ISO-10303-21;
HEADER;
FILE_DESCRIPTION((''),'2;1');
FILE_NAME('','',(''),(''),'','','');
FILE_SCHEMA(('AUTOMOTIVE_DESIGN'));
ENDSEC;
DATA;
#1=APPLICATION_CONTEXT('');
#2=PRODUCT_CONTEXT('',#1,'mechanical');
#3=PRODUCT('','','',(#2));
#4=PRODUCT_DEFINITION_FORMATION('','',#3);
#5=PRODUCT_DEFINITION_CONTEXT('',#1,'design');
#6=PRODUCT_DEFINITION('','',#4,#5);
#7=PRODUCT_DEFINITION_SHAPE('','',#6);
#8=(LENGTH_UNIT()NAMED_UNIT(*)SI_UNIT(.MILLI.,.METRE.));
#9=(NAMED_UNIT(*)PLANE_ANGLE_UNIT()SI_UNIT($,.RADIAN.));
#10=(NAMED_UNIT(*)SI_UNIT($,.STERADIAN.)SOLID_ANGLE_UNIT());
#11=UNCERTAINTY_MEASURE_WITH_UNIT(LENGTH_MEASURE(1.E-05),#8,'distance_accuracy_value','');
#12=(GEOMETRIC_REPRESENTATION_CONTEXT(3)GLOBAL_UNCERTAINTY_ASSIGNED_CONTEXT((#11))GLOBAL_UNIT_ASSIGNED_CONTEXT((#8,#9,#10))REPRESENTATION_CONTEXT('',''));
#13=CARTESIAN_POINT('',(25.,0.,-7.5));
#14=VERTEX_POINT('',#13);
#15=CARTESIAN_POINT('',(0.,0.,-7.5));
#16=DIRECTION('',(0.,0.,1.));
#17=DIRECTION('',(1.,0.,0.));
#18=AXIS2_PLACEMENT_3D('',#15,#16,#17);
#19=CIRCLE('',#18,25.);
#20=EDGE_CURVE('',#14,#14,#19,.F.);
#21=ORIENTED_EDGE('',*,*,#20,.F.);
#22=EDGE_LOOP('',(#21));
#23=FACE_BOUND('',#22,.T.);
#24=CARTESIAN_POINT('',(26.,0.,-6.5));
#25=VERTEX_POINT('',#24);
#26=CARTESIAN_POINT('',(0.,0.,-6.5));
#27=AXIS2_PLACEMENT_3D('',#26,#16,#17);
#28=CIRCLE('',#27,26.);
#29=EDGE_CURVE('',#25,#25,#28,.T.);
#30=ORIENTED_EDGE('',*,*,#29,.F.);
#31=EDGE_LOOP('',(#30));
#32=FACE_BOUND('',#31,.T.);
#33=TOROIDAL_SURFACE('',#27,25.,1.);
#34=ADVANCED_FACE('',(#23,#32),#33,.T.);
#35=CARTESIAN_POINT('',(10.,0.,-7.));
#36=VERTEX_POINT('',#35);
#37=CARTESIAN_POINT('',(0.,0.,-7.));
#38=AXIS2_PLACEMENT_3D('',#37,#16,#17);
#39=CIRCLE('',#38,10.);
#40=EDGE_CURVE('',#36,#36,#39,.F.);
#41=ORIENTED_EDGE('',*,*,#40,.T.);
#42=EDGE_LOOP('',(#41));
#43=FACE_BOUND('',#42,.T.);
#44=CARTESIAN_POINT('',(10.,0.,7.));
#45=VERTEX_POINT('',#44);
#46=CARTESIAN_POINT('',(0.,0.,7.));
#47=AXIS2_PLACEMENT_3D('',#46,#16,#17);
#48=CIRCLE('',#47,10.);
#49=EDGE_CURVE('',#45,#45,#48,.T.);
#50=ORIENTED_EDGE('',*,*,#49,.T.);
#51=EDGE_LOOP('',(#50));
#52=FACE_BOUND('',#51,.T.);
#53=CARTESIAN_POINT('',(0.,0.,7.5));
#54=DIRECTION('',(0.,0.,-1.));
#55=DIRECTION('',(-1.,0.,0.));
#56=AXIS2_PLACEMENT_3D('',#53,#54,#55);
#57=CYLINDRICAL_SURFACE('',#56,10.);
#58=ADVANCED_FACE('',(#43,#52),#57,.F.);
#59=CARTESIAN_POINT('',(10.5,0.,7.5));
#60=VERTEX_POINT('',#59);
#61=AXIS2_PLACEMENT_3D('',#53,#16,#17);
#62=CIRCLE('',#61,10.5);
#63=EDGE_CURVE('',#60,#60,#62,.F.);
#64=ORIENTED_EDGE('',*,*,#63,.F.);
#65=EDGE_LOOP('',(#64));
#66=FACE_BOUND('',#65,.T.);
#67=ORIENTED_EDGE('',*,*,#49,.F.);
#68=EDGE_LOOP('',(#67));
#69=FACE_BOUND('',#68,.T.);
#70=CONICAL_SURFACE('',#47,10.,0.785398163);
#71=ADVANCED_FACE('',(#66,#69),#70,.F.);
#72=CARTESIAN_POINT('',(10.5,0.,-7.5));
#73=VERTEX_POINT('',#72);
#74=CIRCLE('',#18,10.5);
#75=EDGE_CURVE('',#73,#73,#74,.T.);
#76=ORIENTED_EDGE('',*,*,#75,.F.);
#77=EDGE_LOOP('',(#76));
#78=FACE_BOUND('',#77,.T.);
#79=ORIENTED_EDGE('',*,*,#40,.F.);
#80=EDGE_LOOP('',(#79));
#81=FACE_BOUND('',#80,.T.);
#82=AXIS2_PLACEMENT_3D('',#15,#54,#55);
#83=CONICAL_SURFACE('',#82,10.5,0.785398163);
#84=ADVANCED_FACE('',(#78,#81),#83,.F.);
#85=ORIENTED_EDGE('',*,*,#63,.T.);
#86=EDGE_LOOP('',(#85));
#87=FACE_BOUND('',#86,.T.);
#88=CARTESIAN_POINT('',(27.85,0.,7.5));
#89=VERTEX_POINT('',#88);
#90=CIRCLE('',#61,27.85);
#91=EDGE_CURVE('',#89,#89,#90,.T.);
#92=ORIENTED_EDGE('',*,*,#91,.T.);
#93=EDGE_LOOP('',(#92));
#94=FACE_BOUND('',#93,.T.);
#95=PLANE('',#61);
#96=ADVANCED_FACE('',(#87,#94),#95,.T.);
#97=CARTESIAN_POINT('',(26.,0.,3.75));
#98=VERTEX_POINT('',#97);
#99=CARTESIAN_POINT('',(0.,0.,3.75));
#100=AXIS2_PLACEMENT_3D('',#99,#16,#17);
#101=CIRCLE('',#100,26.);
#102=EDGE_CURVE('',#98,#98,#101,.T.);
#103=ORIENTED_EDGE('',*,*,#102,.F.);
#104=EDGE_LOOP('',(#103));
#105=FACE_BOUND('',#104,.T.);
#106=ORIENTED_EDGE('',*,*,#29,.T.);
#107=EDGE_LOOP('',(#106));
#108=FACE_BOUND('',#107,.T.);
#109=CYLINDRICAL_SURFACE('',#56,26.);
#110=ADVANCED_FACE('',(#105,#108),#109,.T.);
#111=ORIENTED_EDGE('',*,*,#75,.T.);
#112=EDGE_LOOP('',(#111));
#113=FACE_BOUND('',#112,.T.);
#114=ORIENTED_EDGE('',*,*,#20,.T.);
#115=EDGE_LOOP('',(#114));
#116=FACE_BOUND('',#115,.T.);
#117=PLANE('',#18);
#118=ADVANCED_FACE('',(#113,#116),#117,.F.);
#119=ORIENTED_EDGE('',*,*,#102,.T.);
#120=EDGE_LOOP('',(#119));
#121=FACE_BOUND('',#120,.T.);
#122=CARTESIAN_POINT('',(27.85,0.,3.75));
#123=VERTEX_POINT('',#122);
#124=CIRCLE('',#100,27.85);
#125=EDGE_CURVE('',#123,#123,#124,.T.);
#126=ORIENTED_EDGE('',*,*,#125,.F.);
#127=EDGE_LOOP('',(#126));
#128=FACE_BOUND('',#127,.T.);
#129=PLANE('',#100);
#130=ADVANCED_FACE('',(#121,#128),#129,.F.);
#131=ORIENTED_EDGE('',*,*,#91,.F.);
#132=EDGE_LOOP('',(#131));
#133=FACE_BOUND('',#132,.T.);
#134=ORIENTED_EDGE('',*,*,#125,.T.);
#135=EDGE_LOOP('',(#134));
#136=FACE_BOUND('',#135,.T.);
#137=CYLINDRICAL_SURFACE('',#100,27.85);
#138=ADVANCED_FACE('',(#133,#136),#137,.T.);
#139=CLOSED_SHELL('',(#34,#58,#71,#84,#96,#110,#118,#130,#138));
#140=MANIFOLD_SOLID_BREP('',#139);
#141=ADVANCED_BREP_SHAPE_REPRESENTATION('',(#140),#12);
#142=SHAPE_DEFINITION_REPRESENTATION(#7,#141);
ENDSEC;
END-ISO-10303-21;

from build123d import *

# Parameters (mm, degrees)
SKETCH_1_R      = 26
SKETCH_1_R_2    = 10
EXTRUDE_1_DEPTH = 7.5
SKETCH_2_R      = 27.85
SKETCH_2_R_2    = 26
EXTRUDE_2_DEPTH = 3.75
CHAMFER_1_SIZE  = 0.5
FILLET_1_R      = 1


with BuildPart() as part:
    # 草图1 → 凸台-拉伸1 (new, symmetric)
    with BuildSketch(Plane.XY):
        Circle(SKETCH_1_R)
        Circle(SKETCH_1_R_2, mode=Mode.SUBTRACT)
    extrude(amount=EXTRUDE_1_DEPTH, both=True)

    # 草图2 → 凸台-拉伸2 (add)
    with BuildSketch(Plane.XY.offset(7.5)):
        Circle(SKETCH_2_R)
        Circle(SKETCH_2_R_2, mode=Mode.SUBTRACT)
    extrude(amount=-EXTRUDE_2_DEPTH)

    # 倒角1
    chamfer_1_edges = [part.edges().sort_by_distance(p)[0] for p in [
        (-10, 0, -7.5),
        (-10, 0, 7.5),
    ]]
    chamfer(chamfer_1_edges, length=CHAMFER_1_SIZE)

    # 圆角1
    fillet_1_edges = [part.edges().sort_by_distance(p)[0] for p in [
        (-26, 0, -7.5),
    ]]
    fillet(fillet_1_edges, radius=FILLET_1_R)


solid = part.part
